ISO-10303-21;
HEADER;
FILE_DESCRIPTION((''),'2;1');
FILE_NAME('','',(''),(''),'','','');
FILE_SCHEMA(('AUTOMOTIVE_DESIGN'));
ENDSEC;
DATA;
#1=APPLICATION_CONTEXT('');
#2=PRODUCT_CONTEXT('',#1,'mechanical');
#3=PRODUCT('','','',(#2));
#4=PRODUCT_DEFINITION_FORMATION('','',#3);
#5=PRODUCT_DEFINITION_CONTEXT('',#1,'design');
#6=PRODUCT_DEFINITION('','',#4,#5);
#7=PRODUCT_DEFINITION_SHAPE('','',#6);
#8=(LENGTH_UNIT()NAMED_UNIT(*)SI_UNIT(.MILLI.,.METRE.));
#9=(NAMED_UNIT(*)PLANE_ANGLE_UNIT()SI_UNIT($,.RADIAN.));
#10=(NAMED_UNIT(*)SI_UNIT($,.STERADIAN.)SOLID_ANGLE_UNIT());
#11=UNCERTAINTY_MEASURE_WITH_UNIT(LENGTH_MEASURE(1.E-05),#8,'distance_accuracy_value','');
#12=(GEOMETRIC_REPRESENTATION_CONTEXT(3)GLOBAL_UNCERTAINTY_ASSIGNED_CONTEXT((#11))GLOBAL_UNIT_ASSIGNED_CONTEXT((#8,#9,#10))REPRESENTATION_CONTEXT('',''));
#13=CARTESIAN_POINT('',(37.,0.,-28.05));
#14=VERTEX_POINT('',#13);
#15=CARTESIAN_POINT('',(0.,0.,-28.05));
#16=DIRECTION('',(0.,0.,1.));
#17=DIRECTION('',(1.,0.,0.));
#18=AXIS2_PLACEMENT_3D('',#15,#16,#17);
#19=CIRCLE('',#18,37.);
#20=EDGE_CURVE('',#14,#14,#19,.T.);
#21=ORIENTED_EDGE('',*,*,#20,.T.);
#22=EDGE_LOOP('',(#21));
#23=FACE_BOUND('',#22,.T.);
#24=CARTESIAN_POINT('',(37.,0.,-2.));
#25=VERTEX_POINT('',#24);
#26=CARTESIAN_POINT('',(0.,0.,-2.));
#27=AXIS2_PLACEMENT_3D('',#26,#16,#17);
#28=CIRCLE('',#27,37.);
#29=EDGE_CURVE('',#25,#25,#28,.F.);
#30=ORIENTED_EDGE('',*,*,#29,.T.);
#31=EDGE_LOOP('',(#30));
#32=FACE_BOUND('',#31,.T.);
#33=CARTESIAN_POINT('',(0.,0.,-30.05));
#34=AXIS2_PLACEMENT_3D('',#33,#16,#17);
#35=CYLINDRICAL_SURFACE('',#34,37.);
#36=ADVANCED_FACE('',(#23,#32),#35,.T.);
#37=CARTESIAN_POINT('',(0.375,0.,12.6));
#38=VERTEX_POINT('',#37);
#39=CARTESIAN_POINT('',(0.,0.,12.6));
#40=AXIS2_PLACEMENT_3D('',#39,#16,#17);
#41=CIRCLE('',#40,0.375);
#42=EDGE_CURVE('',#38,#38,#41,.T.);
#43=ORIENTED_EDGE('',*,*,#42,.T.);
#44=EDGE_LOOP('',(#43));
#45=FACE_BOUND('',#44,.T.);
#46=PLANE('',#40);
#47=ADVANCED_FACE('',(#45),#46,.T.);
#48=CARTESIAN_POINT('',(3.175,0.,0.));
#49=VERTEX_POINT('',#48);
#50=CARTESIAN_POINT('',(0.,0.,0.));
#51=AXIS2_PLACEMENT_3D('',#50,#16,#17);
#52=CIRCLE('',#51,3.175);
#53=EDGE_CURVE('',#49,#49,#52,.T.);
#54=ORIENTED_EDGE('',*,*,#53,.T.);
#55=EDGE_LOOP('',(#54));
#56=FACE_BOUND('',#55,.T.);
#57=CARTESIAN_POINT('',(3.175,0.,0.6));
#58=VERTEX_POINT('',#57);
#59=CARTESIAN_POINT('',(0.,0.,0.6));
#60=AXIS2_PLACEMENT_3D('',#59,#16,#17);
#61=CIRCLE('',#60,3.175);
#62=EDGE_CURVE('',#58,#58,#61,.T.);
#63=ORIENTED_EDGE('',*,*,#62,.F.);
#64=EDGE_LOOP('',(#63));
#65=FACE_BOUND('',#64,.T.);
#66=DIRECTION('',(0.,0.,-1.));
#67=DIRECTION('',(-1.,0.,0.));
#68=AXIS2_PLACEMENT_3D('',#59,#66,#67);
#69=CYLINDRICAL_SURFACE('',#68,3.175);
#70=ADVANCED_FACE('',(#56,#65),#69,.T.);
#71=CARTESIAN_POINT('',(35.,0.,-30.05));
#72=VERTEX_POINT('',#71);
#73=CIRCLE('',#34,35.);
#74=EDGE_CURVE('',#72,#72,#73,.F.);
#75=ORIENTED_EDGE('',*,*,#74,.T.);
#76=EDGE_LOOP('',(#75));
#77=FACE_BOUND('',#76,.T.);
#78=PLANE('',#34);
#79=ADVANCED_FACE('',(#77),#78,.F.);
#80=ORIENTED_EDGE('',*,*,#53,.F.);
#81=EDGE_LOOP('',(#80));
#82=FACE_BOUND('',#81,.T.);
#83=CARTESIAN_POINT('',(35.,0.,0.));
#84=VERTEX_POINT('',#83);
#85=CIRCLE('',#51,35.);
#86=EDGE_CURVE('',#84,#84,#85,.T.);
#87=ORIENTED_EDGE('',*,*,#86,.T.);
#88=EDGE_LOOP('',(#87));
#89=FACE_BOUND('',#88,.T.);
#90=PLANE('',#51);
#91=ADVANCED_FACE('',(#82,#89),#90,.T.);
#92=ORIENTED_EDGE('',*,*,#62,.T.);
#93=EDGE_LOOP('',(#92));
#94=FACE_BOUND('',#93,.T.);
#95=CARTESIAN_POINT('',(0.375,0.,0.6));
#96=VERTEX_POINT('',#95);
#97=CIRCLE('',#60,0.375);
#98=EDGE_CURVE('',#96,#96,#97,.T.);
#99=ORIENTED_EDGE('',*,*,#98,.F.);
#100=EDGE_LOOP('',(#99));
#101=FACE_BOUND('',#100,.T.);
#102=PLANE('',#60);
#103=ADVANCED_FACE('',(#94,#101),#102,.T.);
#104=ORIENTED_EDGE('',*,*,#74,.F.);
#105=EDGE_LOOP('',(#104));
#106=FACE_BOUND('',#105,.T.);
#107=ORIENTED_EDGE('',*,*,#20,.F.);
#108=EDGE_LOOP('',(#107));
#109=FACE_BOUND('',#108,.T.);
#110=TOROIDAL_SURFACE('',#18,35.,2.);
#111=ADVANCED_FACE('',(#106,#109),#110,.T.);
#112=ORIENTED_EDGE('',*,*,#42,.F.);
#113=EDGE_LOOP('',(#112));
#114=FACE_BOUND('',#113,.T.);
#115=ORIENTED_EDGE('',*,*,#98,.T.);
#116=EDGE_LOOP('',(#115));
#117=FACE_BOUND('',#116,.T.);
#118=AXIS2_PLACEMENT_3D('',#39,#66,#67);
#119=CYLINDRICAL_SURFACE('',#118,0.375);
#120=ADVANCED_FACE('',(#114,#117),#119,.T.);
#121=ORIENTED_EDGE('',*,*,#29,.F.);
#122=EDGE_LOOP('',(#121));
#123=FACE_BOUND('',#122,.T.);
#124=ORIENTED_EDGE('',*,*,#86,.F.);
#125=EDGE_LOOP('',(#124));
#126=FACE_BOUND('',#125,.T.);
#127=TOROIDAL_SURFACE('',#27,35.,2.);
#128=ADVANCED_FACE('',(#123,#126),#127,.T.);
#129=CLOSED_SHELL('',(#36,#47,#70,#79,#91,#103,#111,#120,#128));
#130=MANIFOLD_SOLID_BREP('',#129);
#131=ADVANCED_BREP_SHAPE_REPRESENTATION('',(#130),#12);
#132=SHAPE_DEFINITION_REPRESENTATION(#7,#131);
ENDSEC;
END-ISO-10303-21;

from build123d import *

# Parameters (mm, degrees)
SKETCH1_R           = 37
BOSS_EXTRUDE1_DEPTH = 30.05
SKETCH2_R           = 3.175
BOSS_EXTRUDE2_DEPTH = 0.6
SKETCH3_R           = 0.375
BOSS_EXTRUDE3_DEPTH = 12
FILLET1_R           = 2


with BuildPart() as part:
    # Sketch1 → Boss-Extrude1 (new body)
    with BuildSketch(Plane.XY):
        Circle(SKETCH1_R)
    extrude(amount=-BOSS_EXTRUDE1_DEPTH)

    # Sketch2 → Boss-Extrude2 (add)
    with BuildSketch(Plane.XY):
        Circle(SKETCH2_R)
    extrude(amount=BOSS_EXTRUDE2_DEPTH)

    # Sketch3 → Boss-Extrude3 (add)
    with BuildSketch(Plane.XY.offset(0.6)):
        Circle(SKETCH3_R)
    extrude(amount=BOSS_EXTRUDE3_DEPTH)

    # Fillet1
    fillet1_edges = [part.edges().sort_by_distance(p)[0] for p in [
        (-37, 0, 0),
        (-37, 0, -30.05),
    ]]
    fillet(fillet1_edges, radius=FILLET1_R)


solid = part.part
